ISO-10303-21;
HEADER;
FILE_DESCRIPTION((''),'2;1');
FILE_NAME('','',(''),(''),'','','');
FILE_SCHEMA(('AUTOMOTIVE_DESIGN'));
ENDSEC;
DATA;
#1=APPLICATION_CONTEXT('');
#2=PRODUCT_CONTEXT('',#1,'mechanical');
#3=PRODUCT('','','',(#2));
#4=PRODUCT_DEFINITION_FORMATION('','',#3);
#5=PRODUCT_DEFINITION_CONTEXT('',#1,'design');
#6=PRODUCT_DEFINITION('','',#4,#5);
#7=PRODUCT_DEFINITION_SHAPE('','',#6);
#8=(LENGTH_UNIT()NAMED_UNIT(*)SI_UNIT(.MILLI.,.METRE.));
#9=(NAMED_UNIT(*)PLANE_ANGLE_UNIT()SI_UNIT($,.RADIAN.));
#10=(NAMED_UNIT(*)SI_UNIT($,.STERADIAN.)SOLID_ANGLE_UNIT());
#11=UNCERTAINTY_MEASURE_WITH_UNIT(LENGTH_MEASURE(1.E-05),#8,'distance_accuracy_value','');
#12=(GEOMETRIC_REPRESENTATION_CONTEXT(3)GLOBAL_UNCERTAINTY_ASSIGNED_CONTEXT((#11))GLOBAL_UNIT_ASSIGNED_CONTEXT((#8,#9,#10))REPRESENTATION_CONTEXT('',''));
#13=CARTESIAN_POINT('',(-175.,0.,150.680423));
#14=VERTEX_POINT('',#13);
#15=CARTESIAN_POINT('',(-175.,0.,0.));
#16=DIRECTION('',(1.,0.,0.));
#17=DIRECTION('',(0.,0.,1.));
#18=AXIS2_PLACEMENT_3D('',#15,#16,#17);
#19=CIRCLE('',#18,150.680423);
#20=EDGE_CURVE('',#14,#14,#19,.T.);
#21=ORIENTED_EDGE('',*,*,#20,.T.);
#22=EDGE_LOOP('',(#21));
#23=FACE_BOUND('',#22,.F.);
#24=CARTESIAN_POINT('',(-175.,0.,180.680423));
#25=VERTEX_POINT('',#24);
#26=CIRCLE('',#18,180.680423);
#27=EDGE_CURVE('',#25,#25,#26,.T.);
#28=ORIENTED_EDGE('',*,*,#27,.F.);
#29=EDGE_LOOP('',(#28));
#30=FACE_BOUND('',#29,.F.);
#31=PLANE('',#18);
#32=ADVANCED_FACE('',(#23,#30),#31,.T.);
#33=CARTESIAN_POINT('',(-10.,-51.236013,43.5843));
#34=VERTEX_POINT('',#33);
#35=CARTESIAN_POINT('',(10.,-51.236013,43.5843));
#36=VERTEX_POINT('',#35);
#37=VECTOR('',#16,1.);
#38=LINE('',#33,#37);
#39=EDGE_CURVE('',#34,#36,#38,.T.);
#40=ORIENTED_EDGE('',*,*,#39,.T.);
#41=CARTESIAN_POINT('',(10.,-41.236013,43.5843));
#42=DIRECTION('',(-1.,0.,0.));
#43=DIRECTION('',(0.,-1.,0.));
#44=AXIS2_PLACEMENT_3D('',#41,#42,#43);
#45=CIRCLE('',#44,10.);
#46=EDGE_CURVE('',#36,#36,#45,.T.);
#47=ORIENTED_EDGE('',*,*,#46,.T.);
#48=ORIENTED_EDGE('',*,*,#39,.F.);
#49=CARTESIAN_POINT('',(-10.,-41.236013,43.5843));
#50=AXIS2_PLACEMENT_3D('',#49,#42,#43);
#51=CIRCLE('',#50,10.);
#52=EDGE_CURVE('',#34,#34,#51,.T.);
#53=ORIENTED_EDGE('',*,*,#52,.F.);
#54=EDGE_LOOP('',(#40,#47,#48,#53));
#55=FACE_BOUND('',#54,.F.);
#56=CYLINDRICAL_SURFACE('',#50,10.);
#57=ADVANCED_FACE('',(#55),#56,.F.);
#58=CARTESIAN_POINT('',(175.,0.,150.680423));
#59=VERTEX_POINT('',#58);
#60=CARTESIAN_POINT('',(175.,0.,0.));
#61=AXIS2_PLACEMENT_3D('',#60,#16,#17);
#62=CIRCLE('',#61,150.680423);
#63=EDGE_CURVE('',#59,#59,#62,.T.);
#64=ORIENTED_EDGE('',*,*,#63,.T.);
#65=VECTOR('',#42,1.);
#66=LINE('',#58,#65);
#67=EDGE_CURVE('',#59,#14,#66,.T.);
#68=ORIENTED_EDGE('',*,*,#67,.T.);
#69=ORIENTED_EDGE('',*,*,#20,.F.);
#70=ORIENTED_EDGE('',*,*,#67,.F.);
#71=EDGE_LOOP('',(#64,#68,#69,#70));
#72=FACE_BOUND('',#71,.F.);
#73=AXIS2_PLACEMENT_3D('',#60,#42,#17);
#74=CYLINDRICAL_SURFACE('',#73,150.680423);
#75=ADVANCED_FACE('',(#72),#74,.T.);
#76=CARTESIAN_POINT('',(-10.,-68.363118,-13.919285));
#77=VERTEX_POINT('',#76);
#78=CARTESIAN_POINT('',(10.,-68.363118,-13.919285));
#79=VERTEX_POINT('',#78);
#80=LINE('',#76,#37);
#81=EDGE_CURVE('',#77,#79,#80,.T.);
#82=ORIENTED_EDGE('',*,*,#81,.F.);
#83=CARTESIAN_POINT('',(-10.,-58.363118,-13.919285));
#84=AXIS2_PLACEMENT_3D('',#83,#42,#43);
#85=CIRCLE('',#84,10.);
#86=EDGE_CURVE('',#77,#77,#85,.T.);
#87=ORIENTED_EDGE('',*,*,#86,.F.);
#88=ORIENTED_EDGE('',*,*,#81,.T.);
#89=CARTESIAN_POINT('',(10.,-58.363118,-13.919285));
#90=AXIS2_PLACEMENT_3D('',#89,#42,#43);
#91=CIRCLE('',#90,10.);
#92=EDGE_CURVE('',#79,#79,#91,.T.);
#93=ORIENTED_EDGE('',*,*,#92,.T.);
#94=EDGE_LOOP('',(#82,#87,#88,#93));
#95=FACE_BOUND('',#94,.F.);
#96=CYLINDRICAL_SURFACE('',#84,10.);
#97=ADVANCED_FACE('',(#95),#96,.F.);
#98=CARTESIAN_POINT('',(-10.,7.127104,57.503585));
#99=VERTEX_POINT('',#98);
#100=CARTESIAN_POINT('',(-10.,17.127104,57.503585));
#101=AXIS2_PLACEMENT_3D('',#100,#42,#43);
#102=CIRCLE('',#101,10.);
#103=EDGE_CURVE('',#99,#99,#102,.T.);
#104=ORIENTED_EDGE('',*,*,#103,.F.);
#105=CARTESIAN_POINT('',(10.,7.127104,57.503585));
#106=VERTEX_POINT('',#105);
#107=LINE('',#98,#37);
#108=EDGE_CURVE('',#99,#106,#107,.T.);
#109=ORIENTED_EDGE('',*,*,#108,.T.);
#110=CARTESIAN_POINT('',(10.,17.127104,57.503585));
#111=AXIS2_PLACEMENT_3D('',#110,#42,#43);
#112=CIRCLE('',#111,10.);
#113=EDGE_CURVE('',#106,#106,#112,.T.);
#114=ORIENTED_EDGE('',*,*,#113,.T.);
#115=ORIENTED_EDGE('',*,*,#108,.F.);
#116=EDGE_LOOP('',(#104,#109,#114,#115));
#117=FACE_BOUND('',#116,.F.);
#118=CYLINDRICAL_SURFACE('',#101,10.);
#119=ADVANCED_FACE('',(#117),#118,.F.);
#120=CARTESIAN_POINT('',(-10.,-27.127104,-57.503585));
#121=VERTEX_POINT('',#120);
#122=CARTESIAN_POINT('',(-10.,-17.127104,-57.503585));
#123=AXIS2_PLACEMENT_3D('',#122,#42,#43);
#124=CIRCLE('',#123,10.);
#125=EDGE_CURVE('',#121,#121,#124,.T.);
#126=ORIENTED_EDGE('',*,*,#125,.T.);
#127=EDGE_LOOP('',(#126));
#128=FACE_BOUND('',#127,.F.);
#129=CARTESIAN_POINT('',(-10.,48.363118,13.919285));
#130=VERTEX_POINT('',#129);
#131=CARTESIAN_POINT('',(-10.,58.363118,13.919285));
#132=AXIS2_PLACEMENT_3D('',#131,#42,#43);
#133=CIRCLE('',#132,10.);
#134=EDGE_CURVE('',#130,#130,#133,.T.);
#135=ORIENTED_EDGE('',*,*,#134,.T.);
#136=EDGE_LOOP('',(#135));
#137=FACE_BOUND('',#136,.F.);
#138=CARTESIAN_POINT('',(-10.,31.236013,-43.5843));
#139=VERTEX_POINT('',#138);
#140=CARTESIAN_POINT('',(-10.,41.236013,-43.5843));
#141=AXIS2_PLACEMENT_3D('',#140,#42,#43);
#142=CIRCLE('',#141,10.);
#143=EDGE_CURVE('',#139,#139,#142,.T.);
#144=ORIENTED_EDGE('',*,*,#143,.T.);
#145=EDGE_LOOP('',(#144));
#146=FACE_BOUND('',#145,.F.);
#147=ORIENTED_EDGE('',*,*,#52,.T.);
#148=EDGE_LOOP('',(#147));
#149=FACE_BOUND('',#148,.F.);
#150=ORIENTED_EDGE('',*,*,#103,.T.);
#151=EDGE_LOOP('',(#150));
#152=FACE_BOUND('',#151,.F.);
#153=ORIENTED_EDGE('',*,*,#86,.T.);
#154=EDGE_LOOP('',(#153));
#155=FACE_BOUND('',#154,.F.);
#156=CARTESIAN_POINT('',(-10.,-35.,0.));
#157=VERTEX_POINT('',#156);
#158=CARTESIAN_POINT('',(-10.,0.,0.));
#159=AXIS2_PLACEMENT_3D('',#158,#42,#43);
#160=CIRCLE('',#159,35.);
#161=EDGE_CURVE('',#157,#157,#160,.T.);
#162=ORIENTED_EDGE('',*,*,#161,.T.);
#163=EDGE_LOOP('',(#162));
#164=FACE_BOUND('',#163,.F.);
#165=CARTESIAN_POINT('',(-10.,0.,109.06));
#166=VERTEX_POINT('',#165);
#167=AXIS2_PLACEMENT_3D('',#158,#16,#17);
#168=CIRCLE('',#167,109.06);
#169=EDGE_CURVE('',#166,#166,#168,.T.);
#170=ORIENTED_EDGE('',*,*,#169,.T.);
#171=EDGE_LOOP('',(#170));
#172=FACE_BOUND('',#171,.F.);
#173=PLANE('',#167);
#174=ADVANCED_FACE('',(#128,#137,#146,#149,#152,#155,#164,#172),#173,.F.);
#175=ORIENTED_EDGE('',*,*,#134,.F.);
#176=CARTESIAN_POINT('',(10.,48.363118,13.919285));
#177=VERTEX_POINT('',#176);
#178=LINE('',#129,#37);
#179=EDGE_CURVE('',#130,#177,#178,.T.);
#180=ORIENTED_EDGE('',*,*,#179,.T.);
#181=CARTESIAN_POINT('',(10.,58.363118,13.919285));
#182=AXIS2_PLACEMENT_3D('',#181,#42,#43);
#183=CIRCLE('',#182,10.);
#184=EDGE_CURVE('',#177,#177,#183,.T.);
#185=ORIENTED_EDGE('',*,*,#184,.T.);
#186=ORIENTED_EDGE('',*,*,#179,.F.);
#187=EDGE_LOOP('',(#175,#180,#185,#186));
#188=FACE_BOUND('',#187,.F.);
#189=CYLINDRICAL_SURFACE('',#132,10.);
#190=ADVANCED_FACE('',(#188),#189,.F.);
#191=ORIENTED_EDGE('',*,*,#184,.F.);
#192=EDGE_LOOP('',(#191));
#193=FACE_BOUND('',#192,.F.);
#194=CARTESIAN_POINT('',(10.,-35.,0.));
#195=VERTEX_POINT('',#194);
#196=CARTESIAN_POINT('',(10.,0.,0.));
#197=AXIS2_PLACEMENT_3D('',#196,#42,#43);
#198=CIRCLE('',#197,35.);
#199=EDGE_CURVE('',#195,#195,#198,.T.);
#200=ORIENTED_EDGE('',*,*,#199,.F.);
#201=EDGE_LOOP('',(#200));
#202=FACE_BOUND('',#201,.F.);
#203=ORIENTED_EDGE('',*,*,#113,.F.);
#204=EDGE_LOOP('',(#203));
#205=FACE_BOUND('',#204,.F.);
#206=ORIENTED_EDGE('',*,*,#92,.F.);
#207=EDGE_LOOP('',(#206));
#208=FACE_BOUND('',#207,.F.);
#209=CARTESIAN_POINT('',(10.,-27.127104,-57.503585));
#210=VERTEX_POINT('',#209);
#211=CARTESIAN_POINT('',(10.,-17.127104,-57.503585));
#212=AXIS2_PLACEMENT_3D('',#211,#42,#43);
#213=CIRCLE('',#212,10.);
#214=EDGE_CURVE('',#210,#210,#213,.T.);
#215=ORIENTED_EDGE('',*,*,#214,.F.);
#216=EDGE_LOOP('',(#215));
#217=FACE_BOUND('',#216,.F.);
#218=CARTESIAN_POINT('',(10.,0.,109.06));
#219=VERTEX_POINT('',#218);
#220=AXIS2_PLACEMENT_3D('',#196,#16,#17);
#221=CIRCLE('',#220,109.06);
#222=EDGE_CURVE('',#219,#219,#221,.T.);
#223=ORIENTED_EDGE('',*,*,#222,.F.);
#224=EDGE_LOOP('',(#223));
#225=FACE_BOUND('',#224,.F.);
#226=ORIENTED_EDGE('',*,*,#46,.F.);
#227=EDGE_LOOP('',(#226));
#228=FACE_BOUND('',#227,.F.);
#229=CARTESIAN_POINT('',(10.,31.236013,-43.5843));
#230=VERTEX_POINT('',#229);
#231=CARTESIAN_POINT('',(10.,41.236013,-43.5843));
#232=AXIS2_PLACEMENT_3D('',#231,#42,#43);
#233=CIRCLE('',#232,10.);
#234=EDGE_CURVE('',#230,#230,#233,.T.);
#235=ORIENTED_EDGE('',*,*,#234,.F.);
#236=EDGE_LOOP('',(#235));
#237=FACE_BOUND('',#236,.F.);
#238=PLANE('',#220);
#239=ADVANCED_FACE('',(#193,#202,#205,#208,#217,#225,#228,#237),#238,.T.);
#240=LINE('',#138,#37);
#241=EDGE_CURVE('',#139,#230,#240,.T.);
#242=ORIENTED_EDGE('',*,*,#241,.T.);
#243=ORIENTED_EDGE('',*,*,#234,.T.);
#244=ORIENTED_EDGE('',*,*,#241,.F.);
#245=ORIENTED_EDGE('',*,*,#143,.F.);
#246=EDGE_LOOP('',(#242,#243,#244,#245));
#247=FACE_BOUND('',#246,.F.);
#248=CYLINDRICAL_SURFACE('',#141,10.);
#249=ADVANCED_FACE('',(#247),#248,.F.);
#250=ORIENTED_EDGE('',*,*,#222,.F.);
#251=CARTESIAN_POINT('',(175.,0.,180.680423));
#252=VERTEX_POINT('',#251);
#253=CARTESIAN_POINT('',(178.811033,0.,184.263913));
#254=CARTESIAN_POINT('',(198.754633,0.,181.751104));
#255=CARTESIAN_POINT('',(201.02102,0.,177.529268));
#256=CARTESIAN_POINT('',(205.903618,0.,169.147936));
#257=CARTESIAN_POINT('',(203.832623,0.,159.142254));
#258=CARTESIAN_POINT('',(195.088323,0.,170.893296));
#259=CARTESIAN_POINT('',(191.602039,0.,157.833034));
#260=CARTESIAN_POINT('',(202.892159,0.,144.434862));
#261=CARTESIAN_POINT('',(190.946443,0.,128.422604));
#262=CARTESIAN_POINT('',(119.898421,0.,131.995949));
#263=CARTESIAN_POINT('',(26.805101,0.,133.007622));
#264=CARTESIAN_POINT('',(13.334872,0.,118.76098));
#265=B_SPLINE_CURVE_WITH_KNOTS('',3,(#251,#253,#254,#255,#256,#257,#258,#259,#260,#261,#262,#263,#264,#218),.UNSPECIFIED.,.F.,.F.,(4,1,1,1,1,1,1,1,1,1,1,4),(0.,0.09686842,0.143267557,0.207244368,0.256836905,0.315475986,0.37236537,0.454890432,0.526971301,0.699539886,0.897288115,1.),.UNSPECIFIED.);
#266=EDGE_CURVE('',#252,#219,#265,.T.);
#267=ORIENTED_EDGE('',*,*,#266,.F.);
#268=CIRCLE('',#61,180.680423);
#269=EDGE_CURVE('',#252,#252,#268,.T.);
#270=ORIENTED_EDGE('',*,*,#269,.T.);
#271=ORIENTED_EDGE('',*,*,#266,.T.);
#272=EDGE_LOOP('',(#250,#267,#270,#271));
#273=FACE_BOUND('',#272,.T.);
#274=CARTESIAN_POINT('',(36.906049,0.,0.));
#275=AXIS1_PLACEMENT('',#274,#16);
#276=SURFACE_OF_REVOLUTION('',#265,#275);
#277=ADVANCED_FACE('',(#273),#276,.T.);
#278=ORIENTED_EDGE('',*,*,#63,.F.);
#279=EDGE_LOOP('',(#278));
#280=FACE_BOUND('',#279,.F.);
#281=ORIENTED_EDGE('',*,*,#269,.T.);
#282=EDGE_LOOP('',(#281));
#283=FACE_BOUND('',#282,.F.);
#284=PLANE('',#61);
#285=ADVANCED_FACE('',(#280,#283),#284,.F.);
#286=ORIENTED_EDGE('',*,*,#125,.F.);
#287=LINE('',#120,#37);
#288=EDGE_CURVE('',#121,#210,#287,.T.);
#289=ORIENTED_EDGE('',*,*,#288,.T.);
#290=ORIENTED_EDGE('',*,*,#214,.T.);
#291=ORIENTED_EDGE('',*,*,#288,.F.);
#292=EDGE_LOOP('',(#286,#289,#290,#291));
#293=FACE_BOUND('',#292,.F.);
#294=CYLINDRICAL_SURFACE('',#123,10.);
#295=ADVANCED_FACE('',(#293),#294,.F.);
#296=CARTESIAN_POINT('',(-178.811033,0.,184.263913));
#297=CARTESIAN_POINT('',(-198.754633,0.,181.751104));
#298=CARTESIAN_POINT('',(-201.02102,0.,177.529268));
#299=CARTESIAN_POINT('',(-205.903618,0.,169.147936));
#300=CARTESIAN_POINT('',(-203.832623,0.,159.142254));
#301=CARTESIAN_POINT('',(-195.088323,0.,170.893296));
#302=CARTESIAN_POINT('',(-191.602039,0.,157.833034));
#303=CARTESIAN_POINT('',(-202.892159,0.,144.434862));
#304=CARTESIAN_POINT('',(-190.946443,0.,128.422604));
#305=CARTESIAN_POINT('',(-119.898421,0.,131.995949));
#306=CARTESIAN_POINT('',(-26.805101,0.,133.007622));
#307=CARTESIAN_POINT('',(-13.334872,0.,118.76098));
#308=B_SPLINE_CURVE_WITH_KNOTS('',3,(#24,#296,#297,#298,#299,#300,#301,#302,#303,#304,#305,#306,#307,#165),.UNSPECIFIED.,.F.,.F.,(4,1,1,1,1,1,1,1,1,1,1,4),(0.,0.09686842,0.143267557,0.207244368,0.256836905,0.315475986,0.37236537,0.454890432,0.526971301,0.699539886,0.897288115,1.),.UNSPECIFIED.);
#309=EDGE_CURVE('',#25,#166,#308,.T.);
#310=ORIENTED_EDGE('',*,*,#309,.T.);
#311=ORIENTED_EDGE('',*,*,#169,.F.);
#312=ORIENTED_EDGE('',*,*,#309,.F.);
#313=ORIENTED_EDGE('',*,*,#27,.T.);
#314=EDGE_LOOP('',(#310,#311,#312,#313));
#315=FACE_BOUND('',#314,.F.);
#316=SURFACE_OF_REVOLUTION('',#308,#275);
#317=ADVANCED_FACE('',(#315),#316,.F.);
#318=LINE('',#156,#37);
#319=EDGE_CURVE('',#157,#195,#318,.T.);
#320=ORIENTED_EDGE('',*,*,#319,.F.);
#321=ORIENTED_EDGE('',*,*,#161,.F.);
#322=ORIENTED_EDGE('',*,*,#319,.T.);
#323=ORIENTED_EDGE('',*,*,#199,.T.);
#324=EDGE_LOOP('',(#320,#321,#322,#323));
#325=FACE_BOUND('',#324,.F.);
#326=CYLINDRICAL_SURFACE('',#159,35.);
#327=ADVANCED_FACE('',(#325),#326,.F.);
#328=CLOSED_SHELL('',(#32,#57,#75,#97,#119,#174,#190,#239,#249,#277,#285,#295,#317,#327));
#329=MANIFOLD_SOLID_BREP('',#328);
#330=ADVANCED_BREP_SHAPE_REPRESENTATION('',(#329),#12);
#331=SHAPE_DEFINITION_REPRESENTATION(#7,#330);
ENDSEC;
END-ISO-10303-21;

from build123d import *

# Parameters (mm, degrees)
F2_R     = 10
F2_R_2   = 35
F3_DEPTH = 214.8961507823


with BuildPart() as f1:
    # F0 (on Front) → F1 (revolve)
    with BuildSketch(Plane.XZ):
        with BuildLine():
            Line((-10, 0), (0, 0))
            Line((0, 0), (10, 0))
            Line((10, 0), (10, 109.06))
            add(Edge.make_bspline(
                [(175, 180.6804227829), (178.8110334118, 184.2639132096), (198.7546333573, 181.7511039409), (201.0210200965, 177.5292684862), (205.903617911, 169.1479362525), (203.8326231844, 159.1422536451), (195.0883229379, 170.8932955844), (191.6020388109, 157.8330338528), (202.8921589112, 144.4348619876), (190.9464425684, 128.4226041387), (119.8984207368, 131.9959488581), (26.8051008207, 133.007622068), (13.3348718957, 118.760980015), (10, 109.06)],
                knots=[0, 0, 0, 0, 0.0968684203, 0.1432675569, 0.2072443677, 0.2568369049, 0.3154759855, 0.3723653703, 0.4548904324, 0.5269713009, 0.6995398859, 0.8972881155, 1, 1, 1, 1], degree=3))
            Line((175, 180.6804227829), (175, 150.6804227829))
            Line((175, 150.6804227829), (0, 150.6804227829))
            Line((0, 150.6804227829), (-175, 150.6804227829))
            Line((-175, 150.6804227829), (-175, 180.6804227829))
            add(Edge.make_bspline(
                [(-175, 180.6804227829), (-178.8110334118, 184.2639132096), (-198.7546333573, 181.7511039409), (-201.0210200965, 177.5292684862), (-205.903617911, 169.1479362525), (-203.8326231844, 159.1422536451), (-195.0883229379, 170.8932955844), (-191.6020388109, 157.8330338528), (-202.8921589112, 144.4348619876), (-190.9464425684, 128.4226041387), (-119.8984207368, 131.9959488581), (-26.8051008207, 133.007622068), (-13.3348718957, 118.760980015), (-10, 109.06)],
                knots=[0, 0, 0, 0, 0.0968684203, 0.1432675569, 0.2072443677, 0.2568369049, 0.3154759855, 0.3723653703, 0.4548904324, 0.5269713009, 0.6995398859, 0.8972881155, 1, 1, 1, 1], degree=3))
            Line((-10, 109.06), (-10, 0))
        make_face()
    revolve(axis=Axis((36.9060486555, 0, 0), (1, 0, 0)))

    # F2 (on face) → F3 (cut, through all)
    with BuildSketch(Plane(origin=(-10, 0, 0), x_dir=(0, -1, 0), z_dir=(-1, 0, 0))):
        with Locations((-17.127104412, 57.5035850574)):
            Circle(F2_R)
        with Locations((41.2360132624, 43.5843000428)):
            Circle(F2_R)
        with Locations((58.3631176744, -13.9192850146)):
            Circle(F2_R)
        with Locations((17.127104412, -57.5035850574)):
            Circle(F2_R)
        with Locations((-41.2360132624, -43.5843000428)):
            Circle(F2_R)
        with Locations((-58.3631176744, 13.9192850146)):
            Circle(F2_R)
        Circle(F2_R_2)
    extrude(amount=-F3_DEPTH, mode=Mode.SUBTRACT)


solid = f1.part
